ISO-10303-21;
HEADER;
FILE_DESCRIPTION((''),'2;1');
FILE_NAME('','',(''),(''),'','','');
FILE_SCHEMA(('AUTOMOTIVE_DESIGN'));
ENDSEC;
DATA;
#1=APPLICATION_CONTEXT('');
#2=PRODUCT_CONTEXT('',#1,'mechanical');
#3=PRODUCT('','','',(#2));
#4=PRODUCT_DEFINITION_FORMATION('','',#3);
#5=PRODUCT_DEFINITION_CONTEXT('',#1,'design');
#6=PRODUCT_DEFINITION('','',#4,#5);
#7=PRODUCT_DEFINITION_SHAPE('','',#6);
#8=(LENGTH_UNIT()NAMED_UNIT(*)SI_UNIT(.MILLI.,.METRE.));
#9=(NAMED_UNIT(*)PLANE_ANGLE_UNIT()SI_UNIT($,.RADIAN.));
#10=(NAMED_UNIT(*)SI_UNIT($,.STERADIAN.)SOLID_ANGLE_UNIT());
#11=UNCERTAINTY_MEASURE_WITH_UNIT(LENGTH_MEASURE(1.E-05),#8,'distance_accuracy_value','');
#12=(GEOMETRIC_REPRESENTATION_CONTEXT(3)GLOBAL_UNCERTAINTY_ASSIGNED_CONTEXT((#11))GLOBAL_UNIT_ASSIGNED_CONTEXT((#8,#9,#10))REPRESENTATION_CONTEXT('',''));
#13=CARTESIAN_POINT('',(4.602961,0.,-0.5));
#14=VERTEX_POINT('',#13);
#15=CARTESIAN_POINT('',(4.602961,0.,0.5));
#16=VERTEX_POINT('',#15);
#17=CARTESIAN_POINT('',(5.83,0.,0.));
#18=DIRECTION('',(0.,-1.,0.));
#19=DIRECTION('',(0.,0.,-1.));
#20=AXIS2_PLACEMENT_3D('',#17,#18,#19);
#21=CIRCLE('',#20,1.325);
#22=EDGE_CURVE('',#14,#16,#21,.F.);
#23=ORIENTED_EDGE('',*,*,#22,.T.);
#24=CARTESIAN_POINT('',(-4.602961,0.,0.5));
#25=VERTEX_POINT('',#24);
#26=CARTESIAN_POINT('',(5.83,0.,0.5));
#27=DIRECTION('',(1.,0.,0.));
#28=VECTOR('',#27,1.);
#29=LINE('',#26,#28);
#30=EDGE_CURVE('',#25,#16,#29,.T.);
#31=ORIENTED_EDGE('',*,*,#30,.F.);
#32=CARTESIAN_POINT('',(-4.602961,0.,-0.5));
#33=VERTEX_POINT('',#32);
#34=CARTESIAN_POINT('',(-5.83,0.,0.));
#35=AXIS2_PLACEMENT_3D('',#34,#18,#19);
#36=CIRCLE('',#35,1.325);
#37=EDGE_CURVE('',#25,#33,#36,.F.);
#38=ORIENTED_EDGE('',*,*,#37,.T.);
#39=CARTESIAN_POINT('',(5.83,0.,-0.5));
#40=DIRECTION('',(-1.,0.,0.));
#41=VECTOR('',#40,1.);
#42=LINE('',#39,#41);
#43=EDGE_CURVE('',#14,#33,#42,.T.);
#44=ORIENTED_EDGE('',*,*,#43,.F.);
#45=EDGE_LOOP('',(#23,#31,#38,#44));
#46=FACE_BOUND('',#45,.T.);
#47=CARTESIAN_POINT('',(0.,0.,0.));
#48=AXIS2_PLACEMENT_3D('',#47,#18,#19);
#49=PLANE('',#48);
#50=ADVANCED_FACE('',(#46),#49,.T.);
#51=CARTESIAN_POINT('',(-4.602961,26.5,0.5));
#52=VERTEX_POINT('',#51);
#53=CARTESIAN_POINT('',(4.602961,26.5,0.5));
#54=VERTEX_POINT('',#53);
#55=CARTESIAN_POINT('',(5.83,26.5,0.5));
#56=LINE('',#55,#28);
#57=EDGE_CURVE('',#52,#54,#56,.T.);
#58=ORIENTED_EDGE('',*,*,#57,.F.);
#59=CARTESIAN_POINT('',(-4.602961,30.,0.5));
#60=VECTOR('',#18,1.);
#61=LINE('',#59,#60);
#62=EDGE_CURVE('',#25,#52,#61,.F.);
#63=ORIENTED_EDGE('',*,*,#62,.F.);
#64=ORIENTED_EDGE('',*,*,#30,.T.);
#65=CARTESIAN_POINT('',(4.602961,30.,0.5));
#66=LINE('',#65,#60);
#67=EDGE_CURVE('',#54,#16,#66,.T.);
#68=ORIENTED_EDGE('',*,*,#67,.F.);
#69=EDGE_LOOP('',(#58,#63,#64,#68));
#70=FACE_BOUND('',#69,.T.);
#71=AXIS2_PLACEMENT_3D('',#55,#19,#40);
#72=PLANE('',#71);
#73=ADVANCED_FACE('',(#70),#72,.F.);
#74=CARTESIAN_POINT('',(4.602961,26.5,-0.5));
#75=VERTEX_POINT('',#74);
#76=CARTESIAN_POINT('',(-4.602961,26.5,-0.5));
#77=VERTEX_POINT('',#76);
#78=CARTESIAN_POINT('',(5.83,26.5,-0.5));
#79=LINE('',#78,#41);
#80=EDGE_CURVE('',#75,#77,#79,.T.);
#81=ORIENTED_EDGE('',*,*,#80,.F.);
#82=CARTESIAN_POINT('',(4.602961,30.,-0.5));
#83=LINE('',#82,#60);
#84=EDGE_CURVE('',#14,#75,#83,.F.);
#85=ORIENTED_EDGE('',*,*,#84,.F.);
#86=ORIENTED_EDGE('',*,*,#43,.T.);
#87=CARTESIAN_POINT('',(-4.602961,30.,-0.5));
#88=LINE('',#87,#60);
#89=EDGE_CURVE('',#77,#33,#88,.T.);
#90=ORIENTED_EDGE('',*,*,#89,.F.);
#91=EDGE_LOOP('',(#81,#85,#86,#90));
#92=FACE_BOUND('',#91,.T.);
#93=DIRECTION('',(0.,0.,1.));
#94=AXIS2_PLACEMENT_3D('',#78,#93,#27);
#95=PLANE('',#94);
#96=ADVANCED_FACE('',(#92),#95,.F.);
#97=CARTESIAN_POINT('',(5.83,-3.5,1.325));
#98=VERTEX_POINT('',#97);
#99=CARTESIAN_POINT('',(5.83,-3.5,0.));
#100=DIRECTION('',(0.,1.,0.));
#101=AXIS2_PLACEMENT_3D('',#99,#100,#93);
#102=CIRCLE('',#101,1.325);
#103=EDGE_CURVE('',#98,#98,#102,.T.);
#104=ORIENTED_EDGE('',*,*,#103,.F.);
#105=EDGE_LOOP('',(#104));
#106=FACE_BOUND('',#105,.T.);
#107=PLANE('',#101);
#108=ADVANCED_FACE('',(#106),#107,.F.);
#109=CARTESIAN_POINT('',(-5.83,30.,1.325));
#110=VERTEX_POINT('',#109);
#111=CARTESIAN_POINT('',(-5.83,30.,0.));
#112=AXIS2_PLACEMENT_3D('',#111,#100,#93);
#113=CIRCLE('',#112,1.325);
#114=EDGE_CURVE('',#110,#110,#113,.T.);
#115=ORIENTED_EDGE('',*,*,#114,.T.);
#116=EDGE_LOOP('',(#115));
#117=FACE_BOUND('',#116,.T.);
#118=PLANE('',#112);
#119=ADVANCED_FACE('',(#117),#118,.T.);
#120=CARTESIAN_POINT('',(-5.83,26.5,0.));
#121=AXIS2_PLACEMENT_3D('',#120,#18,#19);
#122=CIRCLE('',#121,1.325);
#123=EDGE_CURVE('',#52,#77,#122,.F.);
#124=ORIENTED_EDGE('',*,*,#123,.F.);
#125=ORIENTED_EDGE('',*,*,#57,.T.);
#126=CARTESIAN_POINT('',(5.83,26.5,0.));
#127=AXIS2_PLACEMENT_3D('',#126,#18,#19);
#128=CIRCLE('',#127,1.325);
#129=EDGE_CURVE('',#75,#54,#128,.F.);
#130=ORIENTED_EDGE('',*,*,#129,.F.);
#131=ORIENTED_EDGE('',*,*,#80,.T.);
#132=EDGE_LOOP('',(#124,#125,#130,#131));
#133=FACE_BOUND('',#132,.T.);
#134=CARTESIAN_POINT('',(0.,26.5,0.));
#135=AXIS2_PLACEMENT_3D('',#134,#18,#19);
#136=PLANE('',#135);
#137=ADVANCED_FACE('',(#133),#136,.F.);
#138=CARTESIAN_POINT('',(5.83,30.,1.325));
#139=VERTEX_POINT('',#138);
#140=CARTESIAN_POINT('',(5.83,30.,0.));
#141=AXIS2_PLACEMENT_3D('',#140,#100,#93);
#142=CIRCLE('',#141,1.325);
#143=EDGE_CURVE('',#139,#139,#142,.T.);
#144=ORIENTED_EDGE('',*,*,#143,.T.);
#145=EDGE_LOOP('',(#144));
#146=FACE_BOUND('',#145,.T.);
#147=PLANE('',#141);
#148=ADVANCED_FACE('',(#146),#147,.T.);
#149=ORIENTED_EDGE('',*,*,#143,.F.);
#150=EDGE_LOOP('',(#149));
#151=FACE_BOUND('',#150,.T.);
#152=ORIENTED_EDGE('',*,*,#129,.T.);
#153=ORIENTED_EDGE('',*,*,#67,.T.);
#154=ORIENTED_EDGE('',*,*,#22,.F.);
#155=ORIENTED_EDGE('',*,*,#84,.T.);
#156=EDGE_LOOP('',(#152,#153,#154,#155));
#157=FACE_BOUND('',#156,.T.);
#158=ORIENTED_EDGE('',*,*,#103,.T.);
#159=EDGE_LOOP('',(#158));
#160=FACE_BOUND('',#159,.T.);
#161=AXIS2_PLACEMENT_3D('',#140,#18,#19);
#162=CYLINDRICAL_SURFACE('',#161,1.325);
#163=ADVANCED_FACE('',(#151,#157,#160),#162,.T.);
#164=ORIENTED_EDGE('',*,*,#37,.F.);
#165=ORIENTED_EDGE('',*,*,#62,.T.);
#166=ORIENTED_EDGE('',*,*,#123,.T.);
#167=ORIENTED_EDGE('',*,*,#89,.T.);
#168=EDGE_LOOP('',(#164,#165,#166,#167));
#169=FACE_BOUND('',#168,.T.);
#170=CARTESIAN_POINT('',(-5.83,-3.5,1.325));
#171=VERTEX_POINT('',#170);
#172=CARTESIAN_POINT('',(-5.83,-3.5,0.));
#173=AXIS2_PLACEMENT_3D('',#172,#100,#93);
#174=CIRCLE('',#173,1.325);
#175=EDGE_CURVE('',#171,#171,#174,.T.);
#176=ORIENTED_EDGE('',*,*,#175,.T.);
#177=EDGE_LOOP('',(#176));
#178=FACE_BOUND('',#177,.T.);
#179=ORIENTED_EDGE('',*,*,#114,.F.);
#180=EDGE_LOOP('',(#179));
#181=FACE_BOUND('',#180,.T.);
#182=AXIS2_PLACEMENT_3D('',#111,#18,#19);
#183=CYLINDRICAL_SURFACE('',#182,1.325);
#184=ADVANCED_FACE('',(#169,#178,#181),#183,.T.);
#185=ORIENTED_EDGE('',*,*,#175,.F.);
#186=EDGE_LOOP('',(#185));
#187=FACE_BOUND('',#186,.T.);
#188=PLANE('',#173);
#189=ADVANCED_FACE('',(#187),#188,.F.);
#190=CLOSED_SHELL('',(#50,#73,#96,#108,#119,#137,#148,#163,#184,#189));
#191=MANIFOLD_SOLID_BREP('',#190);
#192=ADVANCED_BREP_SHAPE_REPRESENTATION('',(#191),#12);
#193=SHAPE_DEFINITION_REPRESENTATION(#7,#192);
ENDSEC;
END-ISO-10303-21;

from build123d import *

# Parameters (mm, degrees)
SKETCH1_W           = 11.66
SKETCH1_H           = 1
BOSS_EXTRUDE1_DEPTH = 26.5
SKETCH2_R           = 1.325
BOSS_EXTRUDE2_DEPTH = 16.75


with BuildPart() as part:
    # Sketch1 → Boss-Extrude1 (new body)
    with BuildSketch(Plane(origin=(0, 0, 0), x_dir=(1, 0, 0), z_dir=(0, 1, 0))):
        Rectangle(SKETCH1_W, SKETCH1_H)
    extrude(amount=BOSS_EXTRUDE1_DEPTH)

    # Sketch2 → Boss-Extrude2 (add, symmetric)
    with BuildSketch(Plane(origin=(0, 13.25, 0), x_dir=(1, 0, 0), z_dir=(0, 1, 0))):
        with Locations(Location((-5.83, 0, 0), (0, 0, 270))):
            Circle(SKETCH2_R)
        with Locations(Location((5.83, 0, 0), (0, 0, 270))):
            Circle(SKETCH2_R)
    extrude(amount=BOSS_EXTRUDE2_DEPTH, both=True)


solid = part.part
